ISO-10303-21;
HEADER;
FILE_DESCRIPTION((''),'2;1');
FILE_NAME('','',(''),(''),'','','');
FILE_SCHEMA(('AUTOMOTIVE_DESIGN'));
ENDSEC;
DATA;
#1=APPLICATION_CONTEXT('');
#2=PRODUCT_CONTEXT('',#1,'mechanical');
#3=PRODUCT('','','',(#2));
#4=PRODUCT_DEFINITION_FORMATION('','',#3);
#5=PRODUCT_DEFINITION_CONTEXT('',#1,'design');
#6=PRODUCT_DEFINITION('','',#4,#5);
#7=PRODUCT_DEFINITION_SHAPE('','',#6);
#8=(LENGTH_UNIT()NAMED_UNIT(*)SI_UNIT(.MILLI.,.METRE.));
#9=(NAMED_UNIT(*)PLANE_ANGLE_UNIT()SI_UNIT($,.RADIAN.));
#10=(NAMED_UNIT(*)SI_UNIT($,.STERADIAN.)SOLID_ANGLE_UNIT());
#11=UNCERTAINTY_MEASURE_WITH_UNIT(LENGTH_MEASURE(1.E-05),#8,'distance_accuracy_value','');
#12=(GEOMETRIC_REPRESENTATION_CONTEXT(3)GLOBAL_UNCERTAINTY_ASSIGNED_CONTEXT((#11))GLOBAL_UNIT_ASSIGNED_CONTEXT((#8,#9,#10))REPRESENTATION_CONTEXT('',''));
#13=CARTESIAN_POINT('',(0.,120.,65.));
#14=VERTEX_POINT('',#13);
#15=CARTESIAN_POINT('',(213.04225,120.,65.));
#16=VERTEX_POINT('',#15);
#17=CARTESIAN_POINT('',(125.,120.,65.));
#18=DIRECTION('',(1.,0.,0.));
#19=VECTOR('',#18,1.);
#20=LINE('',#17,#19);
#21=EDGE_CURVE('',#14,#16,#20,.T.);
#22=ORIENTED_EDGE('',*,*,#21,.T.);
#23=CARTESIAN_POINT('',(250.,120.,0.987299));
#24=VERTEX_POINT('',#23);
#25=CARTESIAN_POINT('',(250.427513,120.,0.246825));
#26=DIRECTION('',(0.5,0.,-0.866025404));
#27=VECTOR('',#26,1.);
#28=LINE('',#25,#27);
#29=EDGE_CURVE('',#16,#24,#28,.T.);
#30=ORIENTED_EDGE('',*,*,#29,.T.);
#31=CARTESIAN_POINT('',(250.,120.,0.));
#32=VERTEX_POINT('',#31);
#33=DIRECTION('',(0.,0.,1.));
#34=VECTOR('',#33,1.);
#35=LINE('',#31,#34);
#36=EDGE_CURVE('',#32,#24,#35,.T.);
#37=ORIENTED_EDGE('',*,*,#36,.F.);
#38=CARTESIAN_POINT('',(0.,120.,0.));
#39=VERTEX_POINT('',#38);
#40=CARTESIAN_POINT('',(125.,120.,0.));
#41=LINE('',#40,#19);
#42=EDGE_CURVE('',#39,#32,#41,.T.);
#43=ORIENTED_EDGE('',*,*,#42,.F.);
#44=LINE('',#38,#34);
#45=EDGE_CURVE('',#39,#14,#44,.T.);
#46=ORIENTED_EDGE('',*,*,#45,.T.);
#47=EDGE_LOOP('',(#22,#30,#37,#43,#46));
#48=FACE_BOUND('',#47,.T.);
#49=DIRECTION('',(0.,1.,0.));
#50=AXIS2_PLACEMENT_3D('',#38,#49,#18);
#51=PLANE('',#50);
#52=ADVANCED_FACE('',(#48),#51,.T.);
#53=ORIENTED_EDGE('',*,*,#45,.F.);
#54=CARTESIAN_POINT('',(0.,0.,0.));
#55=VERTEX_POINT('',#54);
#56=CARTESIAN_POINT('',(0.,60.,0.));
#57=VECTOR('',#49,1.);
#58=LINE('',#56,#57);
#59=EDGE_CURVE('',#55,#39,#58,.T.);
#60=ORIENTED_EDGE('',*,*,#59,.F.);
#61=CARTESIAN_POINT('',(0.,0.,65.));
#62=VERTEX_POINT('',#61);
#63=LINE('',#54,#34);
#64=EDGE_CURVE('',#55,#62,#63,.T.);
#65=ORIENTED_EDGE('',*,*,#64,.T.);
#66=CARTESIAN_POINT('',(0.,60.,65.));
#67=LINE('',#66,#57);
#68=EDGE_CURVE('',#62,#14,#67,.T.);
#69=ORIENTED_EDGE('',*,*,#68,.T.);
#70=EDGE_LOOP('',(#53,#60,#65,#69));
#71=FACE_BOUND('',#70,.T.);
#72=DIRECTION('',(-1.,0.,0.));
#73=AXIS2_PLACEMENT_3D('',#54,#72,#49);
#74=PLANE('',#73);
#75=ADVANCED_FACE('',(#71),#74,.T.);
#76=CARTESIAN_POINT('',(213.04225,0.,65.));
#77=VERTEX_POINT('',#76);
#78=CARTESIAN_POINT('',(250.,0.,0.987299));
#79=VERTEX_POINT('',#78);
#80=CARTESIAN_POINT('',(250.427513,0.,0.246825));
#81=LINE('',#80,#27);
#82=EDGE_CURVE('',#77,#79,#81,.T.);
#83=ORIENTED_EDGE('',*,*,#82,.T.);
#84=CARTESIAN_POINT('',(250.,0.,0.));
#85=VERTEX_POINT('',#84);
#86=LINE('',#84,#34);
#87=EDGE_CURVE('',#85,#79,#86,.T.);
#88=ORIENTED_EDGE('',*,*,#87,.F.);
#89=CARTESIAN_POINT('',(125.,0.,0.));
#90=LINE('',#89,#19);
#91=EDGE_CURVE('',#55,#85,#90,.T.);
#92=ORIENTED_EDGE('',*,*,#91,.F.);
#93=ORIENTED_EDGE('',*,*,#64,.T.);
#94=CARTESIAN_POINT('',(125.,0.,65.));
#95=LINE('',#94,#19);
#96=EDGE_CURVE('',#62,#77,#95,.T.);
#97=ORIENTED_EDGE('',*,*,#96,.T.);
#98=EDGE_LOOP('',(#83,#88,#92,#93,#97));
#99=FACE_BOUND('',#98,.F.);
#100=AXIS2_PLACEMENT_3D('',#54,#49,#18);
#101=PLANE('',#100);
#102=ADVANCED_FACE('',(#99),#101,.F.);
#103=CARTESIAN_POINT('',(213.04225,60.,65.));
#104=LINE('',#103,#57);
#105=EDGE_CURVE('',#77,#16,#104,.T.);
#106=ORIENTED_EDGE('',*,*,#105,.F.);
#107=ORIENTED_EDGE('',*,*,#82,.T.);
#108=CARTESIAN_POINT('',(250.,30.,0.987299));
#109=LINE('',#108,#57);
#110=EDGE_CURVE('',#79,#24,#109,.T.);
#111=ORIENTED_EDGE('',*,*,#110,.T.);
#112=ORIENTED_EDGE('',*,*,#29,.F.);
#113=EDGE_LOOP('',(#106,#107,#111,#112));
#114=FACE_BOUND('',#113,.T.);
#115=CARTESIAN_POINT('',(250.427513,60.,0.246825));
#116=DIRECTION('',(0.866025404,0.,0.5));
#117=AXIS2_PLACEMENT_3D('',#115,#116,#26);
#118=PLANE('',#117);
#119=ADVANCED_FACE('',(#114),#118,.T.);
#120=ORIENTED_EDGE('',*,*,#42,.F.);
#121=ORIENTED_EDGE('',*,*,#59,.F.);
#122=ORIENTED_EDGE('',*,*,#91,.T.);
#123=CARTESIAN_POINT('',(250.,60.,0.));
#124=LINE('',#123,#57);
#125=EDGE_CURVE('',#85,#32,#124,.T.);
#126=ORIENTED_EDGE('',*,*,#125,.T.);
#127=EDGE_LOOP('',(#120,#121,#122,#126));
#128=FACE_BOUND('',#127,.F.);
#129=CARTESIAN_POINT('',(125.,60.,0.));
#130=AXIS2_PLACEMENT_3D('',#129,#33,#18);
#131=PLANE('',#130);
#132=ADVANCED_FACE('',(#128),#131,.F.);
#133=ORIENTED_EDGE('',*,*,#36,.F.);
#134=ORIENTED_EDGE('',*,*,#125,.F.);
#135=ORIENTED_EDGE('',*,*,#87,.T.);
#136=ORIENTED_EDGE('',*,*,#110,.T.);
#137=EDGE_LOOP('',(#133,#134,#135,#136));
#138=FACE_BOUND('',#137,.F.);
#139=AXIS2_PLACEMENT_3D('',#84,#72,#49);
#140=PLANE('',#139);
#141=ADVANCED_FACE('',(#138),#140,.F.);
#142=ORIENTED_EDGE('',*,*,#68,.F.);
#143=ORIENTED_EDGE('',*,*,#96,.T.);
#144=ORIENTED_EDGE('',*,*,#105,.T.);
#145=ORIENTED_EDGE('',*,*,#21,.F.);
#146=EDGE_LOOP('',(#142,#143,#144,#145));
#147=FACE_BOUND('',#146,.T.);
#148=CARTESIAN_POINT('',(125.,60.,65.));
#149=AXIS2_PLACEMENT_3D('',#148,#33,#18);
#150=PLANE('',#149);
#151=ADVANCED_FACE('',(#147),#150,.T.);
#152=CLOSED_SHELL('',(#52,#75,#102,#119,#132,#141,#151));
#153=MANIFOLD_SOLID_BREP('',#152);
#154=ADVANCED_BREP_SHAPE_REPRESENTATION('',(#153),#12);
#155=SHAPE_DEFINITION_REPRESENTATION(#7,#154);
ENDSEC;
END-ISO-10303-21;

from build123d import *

# Parameters (mm, degrees)
BOX004_W               = 250
BOX004_H               = 120
BOX004_DEPTH           = 65
BOX004_PLACEMENT_ANGLE = 60
BOX005_W               = 250
BOX005_H               = 120
BOX005_DEPTH           = 65


with BuildPart() as box004:
    # Box004 → Box004 (new body)
    with BuildSketch(Plane.XY):
        with Locations((125, 60)):
            Rectangle(BOX004_W, BOX004_H)
    extrude(amount=BOX004_DEPTH)


with BuildPart() as box004_1:
    # Box004 placement: moved
    add(box004.part.moved(Location((187.927513, 0, 108.5))).rotate(Axis((187.927513, 0, 108.5), (0, 1, 0)), BOX004_PLACEMENT_ANGLE))


with BuildPart() as cut002:
    # Box005 → Box005 (new body)
    with BuildSketch(Plane.XY):
        with Locations((125, 60)):
            Rectangle(BOX005_W, BOX005_H)
    extrude(amount=BOX005_DEPTH)

    # Cut002: cut Box004
    add(box004_1.part, mode=Mode.SUBTRACT)


solid = cut002.part
